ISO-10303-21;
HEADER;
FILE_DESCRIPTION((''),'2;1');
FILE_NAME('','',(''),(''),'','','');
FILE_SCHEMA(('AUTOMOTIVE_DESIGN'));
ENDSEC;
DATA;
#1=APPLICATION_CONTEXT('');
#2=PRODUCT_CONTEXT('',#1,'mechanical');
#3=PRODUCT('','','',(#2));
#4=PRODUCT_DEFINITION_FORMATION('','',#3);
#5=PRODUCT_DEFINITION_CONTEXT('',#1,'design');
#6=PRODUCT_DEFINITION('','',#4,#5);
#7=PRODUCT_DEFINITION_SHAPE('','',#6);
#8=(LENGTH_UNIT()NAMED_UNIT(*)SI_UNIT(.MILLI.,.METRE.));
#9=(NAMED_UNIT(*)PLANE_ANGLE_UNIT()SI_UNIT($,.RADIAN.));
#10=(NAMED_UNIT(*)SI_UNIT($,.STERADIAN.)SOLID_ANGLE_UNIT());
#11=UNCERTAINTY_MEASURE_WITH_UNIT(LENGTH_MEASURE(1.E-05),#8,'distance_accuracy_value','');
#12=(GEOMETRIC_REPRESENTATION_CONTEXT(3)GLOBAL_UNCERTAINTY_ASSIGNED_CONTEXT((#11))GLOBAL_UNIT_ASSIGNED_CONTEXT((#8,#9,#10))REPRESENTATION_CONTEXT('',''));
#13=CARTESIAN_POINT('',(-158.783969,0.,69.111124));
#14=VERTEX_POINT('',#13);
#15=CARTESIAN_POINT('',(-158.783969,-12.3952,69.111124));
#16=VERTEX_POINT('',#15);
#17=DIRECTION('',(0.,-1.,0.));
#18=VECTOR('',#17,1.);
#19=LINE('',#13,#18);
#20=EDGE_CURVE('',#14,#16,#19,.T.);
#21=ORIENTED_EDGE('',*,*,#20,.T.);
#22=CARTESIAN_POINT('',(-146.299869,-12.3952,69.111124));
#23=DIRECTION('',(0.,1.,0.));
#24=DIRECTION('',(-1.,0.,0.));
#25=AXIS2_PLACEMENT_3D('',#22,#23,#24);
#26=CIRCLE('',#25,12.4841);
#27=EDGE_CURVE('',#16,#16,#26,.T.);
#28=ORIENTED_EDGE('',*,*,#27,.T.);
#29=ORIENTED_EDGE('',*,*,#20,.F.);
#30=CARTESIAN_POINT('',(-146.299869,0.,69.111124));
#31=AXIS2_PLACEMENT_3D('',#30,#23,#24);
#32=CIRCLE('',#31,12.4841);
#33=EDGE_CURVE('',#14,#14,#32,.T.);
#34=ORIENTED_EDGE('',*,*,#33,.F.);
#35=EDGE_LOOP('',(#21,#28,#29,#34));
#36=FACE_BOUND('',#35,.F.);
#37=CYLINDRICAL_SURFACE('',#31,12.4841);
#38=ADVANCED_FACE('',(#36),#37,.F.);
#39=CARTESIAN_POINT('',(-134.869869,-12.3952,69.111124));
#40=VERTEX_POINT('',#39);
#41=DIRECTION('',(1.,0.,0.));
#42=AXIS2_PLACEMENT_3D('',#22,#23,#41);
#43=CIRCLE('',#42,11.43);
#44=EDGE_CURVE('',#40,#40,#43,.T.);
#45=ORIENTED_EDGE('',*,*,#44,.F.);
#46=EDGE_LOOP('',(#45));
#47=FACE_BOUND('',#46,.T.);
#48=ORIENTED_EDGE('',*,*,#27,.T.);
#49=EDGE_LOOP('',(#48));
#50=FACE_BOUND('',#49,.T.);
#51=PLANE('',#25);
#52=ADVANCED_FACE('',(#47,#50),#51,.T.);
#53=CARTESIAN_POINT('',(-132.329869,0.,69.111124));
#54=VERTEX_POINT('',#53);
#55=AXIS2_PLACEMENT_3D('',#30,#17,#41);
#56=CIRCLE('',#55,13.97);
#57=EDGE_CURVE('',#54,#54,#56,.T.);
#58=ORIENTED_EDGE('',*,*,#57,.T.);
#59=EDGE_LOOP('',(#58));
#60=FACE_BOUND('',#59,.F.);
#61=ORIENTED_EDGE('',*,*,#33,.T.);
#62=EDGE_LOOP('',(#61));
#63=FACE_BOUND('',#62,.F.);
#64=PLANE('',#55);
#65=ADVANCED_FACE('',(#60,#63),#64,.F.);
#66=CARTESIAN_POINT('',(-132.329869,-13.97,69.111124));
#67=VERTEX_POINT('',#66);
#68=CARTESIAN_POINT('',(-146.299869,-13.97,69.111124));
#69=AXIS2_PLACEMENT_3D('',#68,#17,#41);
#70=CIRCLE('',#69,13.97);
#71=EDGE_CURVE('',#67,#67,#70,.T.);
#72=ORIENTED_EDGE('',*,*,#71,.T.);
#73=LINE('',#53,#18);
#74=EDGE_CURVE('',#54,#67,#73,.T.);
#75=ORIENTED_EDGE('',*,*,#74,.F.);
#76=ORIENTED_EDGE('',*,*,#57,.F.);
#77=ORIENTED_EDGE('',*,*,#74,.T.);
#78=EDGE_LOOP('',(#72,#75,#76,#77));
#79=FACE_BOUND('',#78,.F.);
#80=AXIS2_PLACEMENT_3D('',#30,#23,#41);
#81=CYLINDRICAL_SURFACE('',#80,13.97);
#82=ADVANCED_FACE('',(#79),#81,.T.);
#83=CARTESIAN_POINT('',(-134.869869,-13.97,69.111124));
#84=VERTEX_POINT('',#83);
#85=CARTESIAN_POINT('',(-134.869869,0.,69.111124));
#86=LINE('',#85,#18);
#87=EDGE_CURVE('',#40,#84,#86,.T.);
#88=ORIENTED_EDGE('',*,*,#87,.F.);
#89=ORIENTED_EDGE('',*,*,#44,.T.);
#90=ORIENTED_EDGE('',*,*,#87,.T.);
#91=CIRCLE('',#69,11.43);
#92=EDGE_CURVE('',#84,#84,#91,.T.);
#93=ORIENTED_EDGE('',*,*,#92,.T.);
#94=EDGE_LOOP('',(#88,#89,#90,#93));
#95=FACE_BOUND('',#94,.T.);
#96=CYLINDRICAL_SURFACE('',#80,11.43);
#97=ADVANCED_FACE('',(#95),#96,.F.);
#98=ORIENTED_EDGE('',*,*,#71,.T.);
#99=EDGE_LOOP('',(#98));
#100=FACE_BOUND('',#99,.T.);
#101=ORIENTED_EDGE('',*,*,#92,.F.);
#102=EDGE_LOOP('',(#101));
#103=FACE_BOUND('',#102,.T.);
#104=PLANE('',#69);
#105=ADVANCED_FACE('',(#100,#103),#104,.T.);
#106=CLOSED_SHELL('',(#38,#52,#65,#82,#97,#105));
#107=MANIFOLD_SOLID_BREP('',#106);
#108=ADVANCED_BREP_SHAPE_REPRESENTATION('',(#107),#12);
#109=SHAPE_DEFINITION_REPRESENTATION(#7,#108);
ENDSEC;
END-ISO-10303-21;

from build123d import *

# Parameters (mm, degrees)
F0_R     = 13.97
F0_R_2   = 11.43
F1_DEPTH = 13.97
F2_R     = 12.4841
F3_DEPTH = 12.3952


with BuildPart() as f1:
    # F0 (on Front) → F1 (new body)
    with BuildSketch(Plane.XZ):
        with Locations((-146.299869, 69.111124)):
            Circle(F0_R)
        with Locations((-146.299869, 69.111124)):
            Circle(F0_R_2, mode=Mode.SUBTRACT)
    extrude(amount=F1_DEPTH)

    # F2 (on face) → F3 (cut)
    with BuildSketch(Plane(origin=(0, 0, 0), x_dir=(-1, 0, 0), z_dir=(0, 1, 0))):
        with Locations((146.299869, 69.111124)):
            Circle(F2_R)
    extrude(amount=-F3_DEPTH, mode=Mode.SUBTRACT)


solid = f1.part
